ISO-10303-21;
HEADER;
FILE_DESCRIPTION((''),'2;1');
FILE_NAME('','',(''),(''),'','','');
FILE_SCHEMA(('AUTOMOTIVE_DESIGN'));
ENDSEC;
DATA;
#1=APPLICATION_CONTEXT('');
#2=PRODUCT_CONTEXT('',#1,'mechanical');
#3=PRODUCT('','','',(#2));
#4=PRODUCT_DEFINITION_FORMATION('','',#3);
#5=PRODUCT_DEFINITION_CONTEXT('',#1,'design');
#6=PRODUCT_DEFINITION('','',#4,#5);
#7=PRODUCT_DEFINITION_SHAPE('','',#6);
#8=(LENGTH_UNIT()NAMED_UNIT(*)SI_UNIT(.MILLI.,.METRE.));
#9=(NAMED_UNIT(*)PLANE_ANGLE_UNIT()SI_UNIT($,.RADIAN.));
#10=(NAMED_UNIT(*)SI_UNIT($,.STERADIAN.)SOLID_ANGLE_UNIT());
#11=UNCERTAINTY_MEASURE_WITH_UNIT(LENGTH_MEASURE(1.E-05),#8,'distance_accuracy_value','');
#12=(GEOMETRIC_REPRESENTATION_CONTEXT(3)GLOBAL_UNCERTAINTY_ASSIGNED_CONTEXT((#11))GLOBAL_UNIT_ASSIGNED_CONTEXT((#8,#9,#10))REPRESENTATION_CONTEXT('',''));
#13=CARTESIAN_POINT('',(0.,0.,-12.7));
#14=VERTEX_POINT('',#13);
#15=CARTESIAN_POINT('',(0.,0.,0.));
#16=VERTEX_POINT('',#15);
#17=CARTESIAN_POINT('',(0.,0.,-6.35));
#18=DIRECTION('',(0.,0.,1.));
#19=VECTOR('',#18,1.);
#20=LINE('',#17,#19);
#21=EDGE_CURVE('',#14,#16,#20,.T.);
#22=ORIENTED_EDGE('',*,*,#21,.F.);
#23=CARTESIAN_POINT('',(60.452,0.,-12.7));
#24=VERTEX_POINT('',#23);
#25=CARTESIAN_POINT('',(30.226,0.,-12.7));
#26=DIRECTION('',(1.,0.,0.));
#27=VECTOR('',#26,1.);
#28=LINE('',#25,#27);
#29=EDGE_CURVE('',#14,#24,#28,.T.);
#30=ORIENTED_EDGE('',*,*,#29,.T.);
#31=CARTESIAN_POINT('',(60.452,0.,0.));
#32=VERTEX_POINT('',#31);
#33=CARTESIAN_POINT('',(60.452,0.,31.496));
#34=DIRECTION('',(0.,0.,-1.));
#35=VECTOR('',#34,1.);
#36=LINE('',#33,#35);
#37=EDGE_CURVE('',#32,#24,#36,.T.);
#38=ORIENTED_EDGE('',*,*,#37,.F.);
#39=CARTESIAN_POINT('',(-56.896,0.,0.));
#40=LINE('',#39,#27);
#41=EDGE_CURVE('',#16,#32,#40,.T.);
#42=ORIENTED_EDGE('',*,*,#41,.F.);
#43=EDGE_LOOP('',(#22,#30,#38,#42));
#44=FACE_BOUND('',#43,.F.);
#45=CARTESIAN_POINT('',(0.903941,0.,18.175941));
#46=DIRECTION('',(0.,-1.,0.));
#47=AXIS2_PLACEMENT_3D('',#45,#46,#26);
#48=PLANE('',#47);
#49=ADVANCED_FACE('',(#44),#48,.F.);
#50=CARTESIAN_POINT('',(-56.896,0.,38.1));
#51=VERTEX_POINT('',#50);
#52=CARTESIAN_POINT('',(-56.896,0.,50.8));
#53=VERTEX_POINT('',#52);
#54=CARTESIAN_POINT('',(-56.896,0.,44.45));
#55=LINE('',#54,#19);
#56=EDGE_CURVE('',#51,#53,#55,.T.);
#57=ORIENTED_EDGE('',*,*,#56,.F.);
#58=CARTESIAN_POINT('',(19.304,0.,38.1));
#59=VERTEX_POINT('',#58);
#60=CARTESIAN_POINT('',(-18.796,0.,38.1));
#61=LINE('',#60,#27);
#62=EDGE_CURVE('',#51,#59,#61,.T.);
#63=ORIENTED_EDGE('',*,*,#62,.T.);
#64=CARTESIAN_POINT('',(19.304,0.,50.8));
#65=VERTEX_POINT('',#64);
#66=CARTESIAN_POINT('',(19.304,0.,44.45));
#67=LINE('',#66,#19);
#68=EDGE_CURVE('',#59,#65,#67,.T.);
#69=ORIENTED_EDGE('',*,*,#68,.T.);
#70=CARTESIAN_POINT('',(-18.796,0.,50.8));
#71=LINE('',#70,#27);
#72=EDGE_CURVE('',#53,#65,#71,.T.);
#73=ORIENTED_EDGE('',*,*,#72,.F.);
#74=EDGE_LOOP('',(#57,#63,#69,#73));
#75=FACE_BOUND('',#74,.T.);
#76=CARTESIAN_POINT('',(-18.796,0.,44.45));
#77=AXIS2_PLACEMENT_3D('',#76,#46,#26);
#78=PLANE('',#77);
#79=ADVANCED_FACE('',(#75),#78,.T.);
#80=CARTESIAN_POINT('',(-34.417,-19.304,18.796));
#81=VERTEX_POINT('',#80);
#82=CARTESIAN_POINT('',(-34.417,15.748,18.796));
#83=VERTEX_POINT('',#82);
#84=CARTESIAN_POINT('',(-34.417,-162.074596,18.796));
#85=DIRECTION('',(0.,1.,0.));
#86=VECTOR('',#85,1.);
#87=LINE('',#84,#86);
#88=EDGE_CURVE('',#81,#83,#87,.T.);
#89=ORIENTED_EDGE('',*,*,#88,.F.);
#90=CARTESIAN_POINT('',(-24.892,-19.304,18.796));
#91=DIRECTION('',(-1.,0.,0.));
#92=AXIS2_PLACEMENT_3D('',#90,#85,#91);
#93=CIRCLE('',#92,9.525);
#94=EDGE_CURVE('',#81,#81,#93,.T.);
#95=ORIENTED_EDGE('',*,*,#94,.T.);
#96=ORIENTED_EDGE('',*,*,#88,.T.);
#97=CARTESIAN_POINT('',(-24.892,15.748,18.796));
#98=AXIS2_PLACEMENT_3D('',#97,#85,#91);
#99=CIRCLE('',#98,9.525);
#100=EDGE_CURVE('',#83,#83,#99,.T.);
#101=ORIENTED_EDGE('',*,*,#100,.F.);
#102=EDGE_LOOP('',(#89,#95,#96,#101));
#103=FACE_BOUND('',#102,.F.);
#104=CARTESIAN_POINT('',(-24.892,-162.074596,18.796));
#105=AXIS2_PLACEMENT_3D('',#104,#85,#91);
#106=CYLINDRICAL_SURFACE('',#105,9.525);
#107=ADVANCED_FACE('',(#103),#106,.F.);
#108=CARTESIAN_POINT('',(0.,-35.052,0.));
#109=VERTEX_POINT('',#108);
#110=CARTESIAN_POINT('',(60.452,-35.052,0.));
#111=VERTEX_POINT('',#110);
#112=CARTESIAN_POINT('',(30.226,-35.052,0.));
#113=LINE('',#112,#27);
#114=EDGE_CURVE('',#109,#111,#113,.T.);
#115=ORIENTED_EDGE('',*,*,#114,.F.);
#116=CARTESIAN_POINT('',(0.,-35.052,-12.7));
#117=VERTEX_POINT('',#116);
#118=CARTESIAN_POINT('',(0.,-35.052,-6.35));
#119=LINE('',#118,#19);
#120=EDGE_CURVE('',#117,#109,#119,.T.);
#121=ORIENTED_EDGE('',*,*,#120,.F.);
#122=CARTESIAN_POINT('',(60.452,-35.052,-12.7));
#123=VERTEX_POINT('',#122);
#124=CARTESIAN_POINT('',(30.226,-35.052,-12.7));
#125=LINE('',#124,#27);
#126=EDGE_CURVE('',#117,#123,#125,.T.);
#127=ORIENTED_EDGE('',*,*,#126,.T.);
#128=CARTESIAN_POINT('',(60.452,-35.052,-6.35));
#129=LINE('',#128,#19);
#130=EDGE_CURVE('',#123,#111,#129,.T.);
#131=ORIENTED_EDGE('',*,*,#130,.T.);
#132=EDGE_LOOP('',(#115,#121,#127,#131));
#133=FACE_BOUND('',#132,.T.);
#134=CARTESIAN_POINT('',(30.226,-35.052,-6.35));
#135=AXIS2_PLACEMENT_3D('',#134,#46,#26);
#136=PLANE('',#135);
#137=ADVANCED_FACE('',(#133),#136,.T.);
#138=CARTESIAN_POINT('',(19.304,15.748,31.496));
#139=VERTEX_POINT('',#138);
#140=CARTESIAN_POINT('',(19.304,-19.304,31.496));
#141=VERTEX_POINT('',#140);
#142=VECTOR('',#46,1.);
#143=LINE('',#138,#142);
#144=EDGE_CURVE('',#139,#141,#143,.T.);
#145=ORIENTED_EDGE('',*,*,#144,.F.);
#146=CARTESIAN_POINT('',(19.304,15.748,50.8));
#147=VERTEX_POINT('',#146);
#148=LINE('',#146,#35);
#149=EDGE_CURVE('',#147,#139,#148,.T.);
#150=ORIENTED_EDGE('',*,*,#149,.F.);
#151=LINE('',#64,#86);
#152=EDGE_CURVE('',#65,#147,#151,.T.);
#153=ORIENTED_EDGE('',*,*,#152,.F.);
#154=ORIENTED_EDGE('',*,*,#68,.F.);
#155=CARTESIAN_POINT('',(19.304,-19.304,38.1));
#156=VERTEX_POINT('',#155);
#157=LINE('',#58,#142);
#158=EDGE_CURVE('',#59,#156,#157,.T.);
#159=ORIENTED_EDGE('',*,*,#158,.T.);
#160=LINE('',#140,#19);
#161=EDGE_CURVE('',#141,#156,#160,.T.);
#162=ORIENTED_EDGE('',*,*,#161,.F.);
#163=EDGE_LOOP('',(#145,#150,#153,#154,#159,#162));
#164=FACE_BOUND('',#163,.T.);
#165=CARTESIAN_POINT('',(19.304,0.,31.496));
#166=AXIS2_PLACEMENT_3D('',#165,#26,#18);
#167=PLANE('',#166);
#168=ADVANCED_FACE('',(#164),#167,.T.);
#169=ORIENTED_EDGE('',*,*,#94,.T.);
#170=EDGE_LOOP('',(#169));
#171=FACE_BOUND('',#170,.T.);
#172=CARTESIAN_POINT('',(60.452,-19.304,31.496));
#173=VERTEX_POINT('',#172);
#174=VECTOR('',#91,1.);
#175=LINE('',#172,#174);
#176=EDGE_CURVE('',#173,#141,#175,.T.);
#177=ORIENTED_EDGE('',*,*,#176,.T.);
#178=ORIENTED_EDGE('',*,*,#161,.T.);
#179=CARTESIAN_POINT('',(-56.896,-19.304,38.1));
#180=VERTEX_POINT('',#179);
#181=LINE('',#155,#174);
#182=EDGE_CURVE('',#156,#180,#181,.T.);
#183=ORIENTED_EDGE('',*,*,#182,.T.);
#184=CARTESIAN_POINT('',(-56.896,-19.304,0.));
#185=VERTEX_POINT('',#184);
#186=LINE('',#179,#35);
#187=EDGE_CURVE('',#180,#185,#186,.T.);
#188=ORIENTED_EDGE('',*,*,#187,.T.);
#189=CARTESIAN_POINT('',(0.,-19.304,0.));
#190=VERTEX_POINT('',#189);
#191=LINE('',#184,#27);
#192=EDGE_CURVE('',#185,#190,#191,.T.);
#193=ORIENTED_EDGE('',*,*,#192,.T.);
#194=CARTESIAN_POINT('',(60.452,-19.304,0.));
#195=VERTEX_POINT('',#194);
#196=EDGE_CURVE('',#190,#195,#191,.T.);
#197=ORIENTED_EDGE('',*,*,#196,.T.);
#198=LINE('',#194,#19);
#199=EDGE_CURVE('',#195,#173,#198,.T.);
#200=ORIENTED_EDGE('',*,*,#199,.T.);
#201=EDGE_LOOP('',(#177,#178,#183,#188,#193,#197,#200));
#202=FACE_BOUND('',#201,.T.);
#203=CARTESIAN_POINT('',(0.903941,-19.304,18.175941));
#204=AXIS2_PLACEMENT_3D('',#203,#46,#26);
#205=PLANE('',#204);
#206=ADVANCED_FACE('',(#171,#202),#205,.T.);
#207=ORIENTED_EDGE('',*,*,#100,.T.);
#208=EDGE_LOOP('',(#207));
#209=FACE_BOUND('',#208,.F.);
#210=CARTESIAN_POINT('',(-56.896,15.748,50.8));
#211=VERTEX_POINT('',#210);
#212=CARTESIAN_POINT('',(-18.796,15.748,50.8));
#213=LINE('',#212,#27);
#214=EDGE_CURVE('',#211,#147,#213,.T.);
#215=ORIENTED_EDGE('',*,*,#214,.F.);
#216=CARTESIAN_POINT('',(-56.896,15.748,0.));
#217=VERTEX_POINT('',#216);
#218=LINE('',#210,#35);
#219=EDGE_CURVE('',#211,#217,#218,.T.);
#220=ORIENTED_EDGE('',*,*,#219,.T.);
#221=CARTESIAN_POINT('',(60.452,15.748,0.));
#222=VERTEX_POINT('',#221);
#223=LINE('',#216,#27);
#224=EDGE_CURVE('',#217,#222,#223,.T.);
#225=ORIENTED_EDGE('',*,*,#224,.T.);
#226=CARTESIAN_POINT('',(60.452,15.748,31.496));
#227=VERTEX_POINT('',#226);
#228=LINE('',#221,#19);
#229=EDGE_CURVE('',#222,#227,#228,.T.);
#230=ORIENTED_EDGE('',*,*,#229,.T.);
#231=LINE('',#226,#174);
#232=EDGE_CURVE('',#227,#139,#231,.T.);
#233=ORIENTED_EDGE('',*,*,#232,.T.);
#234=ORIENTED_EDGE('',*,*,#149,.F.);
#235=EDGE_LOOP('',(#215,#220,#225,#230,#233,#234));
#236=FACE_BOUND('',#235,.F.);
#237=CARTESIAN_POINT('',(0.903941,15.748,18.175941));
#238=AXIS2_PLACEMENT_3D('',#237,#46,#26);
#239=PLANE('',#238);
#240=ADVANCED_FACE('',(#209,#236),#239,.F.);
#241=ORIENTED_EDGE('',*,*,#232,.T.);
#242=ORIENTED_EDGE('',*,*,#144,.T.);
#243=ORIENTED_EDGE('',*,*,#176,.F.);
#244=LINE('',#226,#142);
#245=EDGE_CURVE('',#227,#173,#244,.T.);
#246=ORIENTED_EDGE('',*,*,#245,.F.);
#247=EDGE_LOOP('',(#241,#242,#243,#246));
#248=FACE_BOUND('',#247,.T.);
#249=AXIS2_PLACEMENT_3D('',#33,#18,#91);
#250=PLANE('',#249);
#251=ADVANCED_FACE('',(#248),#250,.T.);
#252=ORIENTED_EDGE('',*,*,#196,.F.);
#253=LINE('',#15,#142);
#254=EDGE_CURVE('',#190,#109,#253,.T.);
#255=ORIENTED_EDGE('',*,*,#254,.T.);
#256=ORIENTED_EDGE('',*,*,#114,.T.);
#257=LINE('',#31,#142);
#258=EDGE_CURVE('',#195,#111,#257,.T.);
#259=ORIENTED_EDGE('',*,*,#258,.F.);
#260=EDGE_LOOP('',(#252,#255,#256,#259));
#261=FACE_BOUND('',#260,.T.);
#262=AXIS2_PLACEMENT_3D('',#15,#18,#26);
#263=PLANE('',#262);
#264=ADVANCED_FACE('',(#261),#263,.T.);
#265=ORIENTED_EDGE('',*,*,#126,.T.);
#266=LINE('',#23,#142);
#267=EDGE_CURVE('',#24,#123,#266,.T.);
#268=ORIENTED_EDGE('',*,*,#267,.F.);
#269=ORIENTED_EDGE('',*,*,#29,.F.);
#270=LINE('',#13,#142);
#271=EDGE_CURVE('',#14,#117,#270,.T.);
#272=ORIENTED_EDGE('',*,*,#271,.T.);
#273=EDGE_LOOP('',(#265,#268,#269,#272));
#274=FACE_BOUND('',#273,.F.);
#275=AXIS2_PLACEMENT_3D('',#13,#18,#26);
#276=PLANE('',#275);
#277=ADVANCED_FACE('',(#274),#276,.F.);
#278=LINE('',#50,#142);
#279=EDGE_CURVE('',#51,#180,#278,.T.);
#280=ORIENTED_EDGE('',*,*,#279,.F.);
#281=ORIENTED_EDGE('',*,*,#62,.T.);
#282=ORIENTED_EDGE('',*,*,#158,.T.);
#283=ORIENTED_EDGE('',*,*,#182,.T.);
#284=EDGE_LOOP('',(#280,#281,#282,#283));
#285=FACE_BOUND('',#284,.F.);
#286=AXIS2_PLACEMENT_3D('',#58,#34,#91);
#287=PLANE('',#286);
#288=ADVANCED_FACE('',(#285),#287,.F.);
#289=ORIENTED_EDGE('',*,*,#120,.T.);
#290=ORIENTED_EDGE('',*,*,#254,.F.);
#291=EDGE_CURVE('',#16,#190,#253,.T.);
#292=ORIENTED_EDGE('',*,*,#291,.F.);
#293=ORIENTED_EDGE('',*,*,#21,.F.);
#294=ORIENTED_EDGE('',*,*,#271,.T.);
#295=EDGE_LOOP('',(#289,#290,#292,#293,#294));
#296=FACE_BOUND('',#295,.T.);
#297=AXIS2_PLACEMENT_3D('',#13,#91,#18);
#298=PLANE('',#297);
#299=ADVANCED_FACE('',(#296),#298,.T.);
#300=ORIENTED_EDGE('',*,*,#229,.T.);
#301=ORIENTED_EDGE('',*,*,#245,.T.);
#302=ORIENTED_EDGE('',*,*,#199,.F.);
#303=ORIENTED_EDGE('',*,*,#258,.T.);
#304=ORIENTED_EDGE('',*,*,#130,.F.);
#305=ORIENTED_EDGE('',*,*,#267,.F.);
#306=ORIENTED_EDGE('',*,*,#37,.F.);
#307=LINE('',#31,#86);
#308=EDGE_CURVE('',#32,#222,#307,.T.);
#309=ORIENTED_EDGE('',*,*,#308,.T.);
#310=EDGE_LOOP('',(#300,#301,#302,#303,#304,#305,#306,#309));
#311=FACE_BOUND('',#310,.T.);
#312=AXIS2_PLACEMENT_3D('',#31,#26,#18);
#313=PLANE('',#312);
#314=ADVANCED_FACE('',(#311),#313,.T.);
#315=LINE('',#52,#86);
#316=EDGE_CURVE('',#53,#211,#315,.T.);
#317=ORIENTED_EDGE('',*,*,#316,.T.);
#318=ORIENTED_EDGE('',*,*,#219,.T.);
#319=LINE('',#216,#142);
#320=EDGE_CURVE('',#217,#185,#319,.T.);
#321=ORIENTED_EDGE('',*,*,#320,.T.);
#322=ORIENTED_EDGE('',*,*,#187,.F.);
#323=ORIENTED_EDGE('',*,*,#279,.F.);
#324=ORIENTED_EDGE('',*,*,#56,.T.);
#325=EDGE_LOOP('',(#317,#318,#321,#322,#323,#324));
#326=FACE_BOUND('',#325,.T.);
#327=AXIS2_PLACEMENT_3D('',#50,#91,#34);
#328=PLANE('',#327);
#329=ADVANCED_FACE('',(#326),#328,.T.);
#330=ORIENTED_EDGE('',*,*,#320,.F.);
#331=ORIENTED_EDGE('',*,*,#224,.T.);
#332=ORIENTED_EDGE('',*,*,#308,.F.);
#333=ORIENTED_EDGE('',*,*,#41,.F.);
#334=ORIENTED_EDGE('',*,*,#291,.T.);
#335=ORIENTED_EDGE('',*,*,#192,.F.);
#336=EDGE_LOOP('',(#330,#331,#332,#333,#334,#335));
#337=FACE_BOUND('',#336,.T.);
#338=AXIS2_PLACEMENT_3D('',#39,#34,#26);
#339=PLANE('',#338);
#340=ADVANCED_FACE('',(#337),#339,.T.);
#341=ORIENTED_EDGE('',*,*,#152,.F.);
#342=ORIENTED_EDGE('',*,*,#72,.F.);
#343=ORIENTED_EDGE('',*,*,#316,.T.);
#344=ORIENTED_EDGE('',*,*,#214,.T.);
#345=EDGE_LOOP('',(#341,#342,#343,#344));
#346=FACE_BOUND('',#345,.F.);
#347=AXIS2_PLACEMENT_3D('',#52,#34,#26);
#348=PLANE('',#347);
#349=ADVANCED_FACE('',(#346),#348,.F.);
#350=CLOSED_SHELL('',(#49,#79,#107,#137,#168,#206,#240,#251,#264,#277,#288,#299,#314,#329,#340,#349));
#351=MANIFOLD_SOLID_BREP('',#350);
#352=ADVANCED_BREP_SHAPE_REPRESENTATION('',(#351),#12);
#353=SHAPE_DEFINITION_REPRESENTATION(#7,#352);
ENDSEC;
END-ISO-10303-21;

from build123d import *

# Parameters (mm, degrees)
F0_W     = 60.452
F0_H     = 12.7
F1_DEPTH = 35.052
F0_W_2   = 76.2
F2_DEPTH = 15.748
F3_DEPTH = 19.304
F4_DEPTH = 15.748
F6_D     = 19.05


with BuildPart() as f1:
    # F0 (on Front) → F1 (new body)
    with BuildSketch(Plane.XZ):
        with Locations((30.226, -6.35)):
            Rectangle(F0_W, F0_H)
    extrude(amount=F1_DEPTH)



with BuildPart() as f2:
    # F0 (on Front) → F2 (new body)
    with BuildSketch(Plane.XZ):
        with Locations((-18.796, 44.45)):
            Rectangle(F0_W_2, F0_H)
    extrude(amount=-F2_DEPTH)


with BuildPart() as f1_1:
    add(f1.part)

    add(f2.part)  # F3 merges F2
    # F0 (on Front) → F3 (join)
    with BuildSketch(Plane.XZ):
        Polygon((19.304, 38.1), (-56.896, 38.1), (-56.896, 0), (0, 0), (60.452, 0), (60.452, 31.496), (19.304, 31.496), align=None)
    extrude(amount=F3_DEPTH)

    # F0 (on Front) → F4 (join)
    with BuildSketch(Plane.XZ):
        Polygon((19.304, 38.1), (-56.896, 38.1), (-56.896, 0), (0, 0), (60.452, 0), (60.452, 31.496), (19.304, 31.496), align=None)
    extrude(amount=-F4_DEPTH)

    # F6 (through all)
    with Locations(Plane.XZ.offset(19.304)):
        with Locations((-24.892, 18.796)):
            Hole(F6_D / 2)


solid = f1_1.part
